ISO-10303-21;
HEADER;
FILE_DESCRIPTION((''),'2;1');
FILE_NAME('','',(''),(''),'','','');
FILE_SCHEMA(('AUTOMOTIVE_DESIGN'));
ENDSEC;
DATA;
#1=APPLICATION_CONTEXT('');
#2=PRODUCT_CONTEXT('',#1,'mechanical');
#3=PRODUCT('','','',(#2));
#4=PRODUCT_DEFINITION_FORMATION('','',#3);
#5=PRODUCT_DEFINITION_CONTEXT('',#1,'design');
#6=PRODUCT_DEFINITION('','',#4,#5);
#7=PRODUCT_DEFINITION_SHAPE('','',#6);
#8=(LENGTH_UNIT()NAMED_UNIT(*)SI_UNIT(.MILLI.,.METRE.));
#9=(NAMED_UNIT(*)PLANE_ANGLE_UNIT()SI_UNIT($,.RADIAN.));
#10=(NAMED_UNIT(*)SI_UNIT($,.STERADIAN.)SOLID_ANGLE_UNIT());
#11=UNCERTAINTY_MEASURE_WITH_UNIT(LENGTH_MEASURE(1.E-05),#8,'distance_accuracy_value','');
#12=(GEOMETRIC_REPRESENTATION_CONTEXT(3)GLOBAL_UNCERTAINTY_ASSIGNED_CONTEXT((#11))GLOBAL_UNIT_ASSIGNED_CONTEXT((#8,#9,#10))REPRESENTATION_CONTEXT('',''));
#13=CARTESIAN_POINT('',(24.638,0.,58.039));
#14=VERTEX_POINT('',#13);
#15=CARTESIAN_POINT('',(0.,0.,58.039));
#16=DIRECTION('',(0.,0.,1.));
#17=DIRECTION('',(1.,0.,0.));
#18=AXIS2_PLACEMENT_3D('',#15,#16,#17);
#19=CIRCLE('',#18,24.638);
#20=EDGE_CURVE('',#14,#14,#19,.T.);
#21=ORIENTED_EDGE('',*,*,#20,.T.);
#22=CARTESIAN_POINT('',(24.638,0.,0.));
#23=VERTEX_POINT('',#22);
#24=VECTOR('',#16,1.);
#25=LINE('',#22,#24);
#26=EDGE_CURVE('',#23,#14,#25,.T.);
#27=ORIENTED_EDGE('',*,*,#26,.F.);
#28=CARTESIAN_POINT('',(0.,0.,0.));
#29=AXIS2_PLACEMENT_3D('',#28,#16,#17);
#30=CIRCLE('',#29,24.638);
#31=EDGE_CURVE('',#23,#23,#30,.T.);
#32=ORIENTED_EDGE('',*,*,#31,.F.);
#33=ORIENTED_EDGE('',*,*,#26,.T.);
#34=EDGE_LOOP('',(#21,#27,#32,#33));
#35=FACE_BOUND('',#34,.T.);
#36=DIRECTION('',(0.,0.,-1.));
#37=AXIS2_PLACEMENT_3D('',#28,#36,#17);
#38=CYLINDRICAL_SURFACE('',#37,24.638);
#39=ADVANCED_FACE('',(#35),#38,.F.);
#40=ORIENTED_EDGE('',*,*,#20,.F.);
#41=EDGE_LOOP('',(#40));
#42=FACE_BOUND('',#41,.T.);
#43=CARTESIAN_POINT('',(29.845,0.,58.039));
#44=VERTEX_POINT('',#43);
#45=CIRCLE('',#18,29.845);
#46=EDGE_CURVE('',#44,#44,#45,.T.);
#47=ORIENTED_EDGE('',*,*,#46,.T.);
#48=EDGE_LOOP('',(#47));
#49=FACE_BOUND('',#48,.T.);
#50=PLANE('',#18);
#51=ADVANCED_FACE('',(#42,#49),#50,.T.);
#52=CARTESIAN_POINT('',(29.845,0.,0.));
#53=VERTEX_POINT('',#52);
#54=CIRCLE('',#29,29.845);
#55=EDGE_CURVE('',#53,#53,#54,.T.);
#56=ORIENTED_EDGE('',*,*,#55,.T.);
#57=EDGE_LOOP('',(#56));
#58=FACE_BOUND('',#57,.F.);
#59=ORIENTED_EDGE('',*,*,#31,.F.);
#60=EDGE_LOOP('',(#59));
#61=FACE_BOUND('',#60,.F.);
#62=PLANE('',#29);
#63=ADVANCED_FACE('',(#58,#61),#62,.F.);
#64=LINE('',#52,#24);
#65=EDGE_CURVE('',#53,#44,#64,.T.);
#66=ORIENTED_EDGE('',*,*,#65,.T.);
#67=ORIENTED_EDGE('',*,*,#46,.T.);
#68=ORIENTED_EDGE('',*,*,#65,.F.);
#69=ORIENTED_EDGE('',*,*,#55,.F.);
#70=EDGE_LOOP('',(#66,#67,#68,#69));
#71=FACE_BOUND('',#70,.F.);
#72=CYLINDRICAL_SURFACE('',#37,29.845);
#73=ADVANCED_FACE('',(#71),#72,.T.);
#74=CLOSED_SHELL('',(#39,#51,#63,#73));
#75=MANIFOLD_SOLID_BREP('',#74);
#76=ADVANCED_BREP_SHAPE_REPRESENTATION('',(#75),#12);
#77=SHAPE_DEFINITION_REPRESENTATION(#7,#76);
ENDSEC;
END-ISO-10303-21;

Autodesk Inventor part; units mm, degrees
ref_plane "YZ Plane" through (0, 0, 0) normal (1, 0, 0) x (0, 1, 0)
ref_plane "XZ Plane" through (0, 0, 0) normal (0, 1, 0) x (-1, 0, 0)
ref_plane "XY Plane" through (0, 0, 0) normal (0, 0, 1) x (1, 0, 0)
sketch "Sketch1" plane through (0, 0, 0) normal (0, 0, 1) x (1, 0, 0)
  circle A0 centre (0, 0) radius 29.845
  circle A1 centre (0, 0) radius 24.638
  dimension "d0" = 59.69
  dimension "d2" = 49.276
extrude "Extrusion1" add sketch "Sketch1" along normal blind 58.039
properties part number "P80 Ring Gear 3-stage" material "Steel"
